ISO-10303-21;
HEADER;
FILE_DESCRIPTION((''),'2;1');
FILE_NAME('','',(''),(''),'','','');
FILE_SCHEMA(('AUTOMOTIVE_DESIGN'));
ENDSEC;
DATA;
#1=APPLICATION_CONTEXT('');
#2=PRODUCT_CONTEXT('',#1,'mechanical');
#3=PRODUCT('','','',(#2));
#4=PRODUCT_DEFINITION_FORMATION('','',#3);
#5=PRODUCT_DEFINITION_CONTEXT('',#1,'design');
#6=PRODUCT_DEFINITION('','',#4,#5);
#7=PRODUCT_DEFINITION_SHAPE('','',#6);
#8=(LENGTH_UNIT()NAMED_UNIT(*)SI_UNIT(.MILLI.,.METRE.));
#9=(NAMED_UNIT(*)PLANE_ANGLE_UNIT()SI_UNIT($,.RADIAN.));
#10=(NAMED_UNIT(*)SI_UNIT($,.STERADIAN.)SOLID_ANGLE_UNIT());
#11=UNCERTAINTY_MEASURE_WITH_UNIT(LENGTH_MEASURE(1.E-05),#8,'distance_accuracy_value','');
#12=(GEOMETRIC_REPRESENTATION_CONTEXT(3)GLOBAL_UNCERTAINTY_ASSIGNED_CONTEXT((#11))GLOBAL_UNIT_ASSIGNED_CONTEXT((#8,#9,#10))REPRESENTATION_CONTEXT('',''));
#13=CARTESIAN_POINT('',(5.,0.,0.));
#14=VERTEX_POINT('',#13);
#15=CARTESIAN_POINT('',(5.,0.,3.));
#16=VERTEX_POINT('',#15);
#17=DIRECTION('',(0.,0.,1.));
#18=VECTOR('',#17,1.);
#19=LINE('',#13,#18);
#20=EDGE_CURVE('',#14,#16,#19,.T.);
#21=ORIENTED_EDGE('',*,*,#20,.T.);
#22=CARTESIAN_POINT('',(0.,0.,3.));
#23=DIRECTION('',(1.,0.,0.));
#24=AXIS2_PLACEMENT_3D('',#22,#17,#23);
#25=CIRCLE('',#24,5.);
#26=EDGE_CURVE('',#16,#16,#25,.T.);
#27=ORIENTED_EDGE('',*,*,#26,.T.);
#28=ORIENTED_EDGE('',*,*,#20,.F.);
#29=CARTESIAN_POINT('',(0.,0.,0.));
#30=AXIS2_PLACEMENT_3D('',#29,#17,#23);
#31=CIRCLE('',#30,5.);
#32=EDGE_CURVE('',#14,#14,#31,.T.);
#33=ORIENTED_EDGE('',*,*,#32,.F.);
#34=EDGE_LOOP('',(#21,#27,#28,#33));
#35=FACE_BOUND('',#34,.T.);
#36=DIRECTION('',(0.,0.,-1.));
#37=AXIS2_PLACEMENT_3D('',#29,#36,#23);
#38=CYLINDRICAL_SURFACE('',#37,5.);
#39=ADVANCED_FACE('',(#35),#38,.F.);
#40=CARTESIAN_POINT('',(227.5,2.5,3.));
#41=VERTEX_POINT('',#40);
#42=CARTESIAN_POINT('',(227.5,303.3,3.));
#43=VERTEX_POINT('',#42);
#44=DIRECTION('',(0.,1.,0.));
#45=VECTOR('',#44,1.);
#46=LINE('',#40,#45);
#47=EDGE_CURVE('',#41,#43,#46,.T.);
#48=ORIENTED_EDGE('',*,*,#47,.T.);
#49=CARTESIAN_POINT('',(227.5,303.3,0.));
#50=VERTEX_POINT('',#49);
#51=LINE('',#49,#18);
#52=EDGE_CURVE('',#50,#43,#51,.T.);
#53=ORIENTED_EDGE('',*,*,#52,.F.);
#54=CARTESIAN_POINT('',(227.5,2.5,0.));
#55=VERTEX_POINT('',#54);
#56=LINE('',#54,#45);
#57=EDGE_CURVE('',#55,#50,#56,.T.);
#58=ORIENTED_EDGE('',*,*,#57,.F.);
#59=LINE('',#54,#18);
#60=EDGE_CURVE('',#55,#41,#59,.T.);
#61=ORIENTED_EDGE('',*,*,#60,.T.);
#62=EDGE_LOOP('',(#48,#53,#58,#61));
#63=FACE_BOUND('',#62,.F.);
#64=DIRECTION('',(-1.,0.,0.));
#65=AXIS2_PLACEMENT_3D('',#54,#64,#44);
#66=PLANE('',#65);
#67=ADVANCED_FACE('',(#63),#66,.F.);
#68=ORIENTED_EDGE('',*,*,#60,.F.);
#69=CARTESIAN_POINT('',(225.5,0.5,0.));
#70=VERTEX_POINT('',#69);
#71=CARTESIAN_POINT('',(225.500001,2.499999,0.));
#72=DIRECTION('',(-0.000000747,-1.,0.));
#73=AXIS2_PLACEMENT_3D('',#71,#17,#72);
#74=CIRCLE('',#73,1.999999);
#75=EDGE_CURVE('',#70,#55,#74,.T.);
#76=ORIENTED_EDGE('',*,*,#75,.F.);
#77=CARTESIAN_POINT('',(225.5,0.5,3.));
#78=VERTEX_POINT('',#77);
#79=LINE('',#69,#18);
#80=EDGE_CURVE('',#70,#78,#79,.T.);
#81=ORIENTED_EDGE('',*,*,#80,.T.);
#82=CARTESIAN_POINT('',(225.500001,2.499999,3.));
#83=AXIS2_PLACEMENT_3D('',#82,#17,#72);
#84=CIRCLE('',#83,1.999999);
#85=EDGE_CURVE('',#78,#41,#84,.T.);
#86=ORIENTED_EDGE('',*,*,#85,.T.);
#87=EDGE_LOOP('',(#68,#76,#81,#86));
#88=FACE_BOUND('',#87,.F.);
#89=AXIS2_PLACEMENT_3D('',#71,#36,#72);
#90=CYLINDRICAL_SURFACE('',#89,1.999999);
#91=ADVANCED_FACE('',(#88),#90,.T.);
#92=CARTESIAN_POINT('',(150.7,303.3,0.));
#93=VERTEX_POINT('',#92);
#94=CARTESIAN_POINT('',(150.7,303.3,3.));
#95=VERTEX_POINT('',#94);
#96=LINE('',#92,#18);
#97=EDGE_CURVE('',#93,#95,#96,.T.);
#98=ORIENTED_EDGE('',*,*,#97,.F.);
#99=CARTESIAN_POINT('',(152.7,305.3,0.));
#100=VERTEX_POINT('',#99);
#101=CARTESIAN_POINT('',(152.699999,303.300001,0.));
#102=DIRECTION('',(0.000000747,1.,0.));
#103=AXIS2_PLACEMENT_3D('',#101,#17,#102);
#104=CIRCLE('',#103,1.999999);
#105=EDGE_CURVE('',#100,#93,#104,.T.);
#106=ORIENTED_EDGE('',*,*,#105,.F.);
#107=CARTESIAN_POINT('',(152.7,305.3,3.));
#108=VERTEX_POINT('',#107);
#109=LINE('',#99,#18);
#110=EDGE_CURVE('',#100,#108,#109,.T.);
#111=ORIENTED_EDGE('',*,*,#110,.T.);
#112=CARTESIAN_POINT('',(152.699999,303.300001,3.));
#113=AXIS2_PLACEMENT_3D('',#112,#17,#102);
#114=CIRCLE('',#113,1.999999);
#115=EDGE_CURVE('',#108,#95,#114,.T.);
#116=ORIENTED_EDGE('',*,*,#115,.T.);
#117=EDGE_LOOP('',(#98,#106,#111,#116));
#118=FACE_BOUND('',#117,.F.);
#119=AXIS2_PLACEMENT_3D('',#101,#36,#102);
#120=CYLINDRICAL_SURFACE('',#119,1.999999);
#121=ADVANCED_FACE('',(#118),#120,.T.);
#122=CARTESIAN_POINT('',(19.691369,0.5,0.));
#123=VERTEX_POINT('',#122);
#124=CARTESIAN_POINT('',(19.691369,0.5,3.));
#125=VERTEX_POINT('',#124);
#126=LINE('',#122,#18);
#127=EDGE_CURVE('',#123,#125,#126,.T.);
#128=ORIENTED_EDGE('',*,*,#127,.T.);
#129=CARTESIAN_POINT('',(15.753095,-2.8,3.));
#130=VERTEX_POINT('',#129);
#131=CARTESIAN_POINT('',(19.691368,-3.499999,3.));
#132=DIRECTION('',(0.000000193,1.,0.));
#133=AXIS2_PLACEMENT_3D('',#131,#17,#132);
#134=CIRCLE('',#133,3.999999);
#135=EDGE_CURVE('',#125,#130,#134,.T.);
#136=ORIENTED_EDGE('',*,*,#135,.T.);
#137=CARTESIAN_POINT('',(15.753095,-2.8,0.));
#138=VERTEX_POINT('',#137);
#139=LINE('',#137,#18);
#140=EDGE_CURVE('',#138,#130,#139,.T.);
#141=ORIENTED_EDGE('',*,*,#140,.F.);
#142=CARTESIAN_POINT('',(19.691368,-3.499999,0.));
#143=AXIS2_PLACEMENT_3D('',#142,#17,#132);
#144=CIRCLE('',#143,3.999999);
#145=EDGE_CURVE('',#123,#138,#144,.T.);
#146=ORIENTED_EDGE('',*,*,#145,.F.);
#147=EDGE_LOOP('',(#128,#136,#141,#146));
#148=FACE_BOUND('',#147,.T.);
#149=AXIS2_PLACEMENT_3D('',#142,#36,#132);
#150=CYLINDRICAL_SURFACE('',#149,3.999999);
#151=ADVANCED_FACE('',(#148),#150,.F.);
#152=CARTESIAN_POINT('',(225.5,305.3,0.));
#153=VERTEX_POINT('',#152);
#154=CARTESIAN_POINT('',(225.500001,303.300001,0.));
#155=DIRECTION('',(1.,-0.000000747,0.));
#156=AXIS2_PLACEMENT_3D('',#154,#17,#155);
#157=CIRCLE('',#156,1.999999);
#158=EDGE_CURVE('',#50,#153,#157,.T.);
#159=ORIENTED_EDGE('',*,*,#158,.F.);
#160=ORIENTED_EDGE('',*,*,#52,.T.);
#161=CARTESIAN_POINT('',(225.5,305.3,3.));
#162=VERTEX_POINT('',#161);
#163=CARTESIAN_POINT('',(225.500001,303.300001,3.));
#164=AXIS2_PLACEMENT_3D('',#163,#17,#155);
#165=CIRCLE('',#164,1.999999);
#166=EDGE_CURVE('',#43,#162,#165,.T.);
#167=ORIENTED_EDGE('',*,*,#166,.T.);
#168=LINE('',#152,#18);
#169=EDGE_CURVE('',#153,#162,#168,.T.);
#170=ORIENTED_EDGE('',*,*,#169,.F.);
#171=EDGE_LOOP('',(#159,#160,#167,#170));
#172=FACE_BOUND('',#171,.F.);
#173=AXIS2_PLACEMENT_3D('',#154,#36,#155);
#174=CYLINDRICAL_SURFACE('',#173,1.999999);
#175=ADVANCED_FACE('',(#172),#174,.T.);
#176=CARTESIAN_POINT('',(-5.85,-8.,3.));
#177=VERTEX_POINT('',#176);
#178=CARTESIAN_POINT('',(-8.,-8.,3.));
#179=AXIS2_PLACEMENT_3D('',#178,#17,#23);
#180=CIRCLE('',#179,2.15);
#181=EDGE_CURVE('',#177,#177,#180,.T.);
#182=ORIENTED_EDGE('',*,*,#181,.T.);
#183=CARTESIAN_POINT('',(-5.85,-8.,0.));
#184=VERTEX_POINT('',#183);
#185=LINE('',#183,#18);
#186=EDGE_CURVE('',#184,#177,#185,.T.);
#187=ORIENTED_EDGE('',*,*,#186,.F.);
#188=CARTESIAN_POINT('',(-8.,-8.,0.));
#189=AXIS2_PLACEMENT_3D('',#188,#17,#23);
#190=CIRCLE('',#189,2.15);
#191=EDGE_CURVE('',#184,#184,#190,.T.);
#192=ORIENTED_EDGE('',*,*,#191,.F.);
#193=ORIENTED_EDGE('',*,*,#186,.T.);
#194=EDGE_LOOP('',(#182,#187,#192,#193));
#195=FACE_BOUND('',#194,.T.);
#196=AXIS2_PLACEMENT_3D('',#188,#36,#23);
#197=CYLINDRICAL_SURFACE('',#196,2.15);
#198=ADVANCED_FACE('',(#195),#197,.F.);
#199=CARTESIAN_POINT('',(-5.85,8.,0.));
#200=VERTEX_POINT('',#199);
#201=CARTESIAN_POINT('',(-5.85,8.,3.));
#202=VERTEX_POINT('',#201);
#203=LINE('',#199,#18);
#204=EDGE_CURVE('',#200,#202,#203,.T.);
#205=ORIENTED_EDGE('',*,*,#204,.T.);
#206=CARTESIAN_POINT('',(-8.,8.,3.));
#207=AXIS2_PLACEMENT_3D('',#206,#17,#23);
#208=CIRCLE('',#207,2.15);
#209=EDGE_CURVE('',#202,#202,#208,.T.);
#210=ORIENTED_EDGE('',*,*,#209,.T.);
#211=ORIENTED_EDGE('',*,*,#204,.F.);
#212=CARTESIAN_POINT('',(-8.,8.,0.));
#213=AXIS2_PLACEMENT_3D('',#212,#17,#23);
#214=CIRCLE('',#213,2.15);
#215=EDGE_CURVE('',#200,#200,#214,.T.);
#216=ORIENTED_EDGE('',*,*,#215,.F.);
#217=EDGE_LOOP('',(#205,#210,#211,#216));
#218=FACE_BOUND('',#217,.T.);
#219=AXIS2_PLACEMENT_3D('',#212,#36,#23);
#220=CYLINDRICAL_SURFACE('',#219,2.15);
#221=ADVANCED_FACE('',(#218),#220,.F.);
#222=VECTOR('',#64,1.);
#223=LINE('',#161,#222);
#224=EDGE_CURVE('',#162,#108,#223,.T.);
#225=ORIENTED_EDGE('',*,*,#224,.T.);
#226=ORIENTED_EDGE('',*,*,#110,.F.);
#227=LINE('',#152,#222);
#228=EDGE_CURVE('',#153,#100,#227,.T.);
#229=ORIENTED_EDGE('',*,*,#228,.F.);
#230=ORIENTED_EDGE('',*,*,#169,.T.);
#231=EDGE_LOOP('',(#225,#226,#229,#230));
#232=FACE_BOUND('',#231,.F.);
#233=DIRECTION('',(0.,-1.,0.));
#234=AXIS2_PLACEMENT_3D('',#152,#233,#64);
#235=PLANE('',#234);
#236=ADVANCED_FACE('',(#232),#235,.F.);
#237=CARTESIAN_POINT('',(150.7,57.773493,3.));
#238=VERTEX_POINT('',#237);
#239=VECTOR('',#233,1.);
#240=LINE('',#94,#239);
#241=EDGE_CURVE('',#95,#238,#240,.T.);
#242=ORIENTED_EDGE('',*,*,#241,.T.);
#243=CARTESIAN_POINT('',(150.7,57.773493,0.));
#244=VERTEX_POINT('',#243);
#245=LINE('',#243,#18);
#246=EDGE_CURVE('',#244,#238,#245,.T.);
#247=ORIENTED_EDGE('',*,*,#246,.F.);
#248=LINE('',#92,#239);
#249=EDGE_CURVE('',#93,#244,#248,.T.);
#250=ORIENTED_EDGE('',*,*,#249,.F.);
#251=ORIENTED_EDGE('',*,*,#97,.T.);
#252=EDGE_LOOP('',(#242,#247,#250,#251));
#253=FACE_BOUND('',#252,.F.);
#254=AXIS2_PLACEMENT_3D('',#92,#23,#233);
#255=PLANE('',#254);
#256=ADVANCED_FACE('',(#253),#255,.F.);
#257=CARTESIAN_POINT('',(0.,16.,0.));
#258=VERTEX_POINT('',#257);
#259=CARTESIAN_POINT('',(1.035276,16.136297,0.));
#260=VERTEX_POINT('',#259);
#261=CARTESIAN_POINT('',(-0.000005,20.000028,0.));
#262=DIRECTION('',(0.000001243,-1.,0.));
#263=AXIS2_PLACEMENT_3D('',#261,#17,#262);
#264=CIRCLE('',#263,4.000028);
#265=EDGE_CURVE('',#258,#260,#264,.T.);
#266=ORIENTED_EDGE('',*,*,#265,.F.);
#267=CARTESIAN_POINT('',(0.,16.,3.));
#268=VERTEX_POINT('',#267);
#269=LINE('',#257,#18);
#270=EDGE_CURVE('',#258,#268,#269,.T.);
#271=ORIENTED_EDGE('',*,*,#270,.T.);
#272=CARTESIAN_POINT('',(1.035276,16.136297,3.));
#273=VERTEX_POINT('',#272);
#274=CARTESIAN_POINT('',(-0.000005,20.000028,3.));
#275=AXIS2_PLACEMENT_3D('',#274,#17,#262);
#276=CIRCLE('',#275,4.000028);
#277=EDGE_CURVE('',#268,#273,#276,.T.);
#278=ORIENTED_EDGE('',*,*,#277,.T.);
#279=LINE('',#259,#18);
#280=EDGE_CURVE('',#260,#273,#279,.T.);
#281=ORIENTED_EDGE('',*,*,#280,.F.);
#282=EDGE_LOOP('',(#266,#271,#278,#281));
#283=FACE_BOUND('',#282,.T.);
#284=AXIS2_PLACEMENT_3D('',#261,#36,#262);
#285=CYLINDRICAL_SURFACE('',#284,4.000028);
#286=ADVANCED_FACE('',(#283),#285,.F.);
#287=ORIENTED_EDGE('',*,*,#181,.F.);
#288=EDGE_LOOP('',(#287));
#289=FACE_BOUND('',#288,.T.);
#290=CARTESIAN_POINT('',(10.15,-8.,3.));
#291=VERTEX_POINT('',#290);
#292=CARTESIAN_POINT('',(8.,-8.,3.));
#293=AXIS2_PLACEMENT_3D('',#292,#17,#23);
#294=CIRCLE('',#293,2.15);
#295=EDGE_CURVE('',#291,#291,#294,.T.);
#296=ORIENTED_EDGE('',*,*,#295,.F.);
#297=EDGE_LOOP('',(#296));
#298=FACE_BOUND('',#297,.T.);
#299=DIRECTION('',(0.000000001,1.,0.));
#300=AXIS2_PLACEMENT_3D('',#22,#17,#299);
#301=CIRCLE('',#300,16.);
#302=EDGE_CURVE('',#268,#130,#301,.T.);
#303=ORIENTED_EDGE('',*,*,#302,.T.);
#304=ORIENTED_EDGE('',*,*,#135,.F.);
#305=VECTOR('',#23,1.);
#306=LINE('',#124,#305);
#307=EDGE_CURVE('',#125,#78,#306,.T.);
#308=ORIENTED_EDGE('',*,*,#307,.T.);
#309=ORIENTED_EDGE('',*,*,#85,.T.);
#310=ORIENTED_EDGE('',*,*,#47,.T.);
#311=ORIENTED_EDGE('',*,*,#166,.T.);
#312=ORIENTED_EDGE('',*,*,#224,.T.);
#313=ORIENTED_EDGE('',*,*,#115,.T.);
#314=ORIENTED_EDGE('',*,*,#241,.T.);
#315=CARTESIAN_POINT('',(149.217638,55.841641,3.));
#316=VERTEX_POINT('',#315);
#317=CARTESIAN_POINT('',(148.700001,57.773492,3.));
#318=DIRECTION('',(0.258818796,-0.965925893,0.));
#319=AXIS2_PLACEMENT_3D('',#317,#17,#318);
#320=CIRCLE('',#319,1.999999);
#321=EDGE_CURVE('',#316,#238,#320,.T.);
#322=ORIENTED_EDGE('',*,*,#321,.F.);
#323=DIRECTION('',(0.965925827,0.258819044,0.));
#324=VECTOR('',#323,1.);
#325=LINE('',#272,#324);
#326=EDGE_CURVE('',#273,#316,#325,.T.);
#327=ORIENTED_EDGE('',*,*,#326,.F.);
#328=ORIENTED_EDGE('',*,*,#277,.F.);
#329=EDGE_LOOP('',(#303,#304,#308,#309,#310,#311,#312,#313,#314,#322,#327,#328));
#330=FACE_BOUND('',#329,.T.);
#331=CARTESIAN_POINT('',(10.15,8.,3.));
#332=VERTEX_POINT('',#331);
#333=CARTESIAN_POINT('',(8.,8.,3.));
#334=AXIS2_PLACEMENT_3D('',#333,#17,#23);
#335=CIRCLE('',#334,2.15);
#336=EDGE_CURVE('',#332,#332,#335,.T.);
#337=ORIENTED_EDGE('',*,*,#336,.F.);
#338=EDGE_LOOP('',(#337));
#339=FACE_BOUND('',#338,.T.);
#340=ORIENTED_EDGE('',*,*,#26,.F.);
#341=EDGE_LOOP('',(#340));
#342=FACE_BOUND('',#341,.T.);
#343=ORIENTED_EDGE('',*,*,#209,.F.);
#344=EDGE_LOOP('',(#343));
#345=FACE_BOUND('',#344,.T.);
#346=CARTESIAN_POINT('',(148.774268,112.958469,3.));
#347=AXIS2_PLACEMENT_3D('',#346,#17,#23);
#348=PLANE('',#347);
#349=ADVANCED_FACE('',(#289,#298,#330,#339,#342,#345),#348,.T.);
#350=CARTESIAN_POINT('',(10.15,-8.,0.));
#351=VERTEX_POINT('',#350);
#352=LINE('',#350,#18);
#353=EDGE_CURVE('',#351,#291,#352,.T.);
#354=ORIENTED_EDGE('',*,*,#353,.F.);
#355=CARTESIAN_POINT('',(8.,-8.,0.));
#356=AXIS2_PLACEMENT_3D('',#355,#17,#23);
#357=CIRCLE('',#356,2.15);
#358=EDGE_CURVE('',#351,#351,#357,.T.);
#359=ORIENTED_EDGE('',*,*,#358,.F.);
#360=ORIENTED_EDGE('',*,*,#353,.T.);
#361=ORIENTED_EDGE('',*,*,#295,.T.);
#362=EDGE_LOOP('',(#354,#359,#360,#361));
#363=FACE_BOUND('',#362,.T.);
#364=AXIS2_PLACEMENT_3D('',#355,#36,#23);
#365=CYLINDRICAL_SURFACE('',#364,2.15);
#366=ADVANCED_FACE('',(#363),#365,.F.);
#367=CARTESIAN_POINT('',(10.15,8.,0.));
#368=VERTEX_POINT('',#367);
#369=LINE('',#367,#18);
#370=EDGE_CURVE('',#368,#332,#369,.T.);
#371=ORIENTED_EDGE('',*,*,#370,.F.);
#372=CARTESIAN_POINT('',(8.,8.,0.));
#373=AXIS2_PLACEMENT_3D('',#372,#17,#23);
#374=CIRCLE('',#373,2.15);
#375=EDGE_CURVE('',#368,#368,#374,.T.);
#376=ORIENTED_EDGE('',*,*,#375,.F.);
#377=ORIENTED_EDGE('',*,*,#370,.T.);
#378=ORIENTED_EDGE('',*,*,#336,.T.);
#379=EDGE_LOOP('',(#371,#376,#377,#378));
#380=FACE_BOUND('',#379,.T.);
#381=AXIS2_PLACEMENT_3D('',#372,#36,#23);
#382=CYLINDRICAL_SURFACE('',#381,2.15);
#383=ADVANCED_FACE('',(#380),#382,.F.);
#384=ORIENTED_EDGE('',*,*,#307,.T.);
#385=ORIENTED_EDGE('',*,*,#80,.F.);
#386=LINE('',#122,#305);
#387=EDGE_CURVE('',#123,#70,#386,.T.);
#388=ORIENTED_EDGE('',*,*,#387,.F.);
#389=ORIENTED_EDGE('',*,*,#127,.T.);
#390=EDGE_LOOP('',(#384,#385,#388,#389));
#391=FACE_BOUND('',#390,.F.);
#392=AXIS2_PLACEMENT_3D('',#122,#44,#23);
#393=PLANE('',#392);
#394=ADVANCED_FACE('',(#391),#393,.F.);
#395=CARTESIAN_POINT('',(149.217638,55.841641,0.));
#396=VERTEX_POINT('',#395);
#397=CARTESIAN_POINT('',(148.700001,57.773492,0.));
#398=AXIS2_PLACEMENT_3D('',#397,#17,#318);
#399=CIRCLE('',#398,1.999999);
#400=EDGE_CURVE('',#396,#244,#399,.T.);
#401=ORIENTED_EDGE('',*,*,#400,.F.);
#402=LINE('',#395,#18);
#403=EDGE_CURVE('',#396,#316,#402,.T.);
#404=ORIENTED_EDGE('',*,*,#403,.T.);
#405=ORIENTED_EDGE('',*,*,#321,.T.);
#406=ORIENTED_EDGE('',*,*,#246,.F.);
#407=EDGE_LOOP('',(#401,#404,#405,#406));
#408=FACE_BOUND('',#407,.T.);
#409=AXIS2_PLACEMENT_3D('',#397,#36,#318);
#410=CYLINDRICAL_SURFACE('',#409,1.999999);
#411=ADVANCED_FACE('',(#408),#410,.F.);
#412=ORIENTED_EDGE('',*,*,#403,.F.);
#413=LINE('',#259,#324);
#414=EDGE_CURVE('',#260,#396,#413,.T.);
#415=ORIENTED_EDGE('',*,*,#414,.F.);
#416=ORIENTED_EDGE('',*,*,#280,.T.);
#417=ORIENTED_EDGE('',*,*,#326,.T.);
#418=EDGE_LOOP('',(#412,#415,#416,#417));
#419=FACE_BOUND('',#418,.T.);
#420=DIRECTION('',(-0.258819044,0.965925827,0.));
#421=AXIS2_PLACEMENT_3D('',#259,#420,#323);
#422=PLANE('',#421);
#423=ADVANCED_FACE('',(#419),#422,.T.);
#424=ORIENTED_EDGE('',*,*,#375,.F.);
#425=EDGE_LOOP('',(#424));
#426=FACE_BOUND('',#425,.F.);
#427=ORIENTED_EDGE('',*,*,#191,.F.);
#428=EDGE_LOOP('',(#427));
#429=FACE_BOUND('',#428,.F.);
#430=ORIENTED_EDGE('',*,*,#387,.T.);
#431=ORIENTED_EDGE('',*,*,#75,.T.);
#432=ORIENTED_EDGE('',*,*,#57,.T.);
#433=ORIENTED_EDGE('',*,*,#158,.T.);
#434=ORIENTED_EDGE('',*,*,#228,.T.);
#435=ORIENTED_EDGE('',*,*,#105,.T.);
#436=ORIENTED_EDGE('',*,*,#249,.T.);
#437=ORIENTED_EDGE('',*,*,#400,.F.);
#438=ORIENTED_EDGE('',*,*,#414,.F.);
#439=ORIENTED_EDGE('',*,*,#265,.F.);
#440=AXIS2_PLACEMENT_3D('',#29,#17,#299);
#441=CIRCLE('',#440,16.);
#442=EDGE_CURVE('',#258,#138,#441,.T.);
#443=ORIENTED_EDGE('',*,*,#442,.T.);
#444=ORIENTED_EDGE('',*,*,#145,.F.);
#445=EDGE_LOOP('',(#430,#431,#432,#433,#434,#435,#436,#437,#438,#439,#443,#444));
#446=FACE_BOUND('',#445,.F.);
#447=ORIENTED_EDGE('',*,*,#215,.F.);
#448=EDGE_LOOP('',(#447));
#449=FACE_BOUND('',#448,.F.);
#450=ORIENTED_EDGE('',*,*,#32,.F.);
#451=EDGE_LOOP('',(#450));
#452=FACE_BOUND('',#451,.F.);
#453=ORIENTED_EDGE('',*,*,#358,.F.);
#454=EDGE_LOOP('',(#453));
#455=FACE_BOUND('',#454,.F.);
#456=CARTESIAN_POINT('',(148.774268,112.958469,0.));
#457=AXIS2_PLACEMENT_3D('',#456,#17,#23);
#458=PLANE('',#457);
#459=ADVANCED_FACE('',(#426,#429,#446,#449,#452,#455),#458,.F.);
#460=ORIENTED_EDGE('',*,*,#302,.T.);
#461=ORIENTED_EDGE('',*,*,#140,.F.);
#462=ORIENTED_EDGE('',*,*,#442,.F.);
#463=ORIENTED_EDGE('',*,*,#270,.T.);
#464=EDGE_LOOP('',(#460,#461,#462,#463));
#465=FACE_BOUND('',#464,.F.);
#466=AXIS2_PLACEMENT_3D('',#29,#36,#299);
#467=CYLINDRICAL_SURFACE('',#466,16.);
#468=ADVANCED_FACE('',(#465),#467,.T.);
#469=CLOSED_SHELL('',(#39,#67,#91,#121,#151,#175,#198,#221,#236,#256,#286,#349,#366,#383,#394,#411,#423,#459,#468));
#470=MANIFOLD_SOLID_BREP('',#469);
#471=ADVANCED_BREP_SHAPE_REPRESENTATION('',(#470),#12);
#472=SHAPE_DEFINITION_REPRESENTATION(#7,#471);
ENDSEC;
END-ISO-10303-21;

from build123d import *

# Parameters (mm, degrees)
SKETCH_R   = 2.15
SKETCH_R_2 = 5
PAD_DEPTH  = 3


with BuildPart() as part:
    # Sketch → Pad (new body)
    with BuildSketch(Plane.XY):
        with BuildLine():
            Line((36.7, 0.5), (225.5, 0.5))
            ThreePointArc((225.5, 0.5), (226.914214, 1.085786), (227.5, 2.5))
            Line((227.5, 2.5), (227.5, 303.3))
            ThreePointArc((227.5, 303.3), (226.914214, 304.714214), (225.5, 305.3))
            Line((225.5, 305.3), (152.7, 305.3))
            ThreePointArc((152.7, 305.3), (151.285786, 304.714214), (150.7, 303.3))
            Line((150.7, 303.3), (150.7, 57.773493))
            ThreePointArc((149.217638, 55.841641), (150.286707, 56.55597), (150.7, 57.773493))
            Line((1.035276, 16.136297), (149.217638, 55.841641))
            ThreePointArc((0, 16), (0.522105, 16.034221), (1.035276, 16.136297))
            ThreePointArc((0, 16), (-12.263768, -10.276186), (15.753095, -2.8))
            ThreePointArc((19.691369, 0.5), (17.122322, -0.434058), (15.753095, -2.8))
            Line((36.7, 0.5), (19.691369, 0.5))
        make_face()
        with Locations((-8, 8)):
            Circle(SKETCH_R, mode=Mode.SUBTRACT)
        with Locations((8, 8)):
            Circle(SKETCH_R, mode=Mode.SUBTRACT)
        with Locations((-8, -8)):
            Circle(SKETCH_R, mode=Mode.SUBTRACT)
        with Locations((8, -8)):
            Circle(SKETCH_R, mode=Mode.SUBTRACT)
        Circle(SKETCH_R_2, mode=Mode.SUBTRACT)
    extrude(amount=PAD_DEPTH)


solid = part.part
